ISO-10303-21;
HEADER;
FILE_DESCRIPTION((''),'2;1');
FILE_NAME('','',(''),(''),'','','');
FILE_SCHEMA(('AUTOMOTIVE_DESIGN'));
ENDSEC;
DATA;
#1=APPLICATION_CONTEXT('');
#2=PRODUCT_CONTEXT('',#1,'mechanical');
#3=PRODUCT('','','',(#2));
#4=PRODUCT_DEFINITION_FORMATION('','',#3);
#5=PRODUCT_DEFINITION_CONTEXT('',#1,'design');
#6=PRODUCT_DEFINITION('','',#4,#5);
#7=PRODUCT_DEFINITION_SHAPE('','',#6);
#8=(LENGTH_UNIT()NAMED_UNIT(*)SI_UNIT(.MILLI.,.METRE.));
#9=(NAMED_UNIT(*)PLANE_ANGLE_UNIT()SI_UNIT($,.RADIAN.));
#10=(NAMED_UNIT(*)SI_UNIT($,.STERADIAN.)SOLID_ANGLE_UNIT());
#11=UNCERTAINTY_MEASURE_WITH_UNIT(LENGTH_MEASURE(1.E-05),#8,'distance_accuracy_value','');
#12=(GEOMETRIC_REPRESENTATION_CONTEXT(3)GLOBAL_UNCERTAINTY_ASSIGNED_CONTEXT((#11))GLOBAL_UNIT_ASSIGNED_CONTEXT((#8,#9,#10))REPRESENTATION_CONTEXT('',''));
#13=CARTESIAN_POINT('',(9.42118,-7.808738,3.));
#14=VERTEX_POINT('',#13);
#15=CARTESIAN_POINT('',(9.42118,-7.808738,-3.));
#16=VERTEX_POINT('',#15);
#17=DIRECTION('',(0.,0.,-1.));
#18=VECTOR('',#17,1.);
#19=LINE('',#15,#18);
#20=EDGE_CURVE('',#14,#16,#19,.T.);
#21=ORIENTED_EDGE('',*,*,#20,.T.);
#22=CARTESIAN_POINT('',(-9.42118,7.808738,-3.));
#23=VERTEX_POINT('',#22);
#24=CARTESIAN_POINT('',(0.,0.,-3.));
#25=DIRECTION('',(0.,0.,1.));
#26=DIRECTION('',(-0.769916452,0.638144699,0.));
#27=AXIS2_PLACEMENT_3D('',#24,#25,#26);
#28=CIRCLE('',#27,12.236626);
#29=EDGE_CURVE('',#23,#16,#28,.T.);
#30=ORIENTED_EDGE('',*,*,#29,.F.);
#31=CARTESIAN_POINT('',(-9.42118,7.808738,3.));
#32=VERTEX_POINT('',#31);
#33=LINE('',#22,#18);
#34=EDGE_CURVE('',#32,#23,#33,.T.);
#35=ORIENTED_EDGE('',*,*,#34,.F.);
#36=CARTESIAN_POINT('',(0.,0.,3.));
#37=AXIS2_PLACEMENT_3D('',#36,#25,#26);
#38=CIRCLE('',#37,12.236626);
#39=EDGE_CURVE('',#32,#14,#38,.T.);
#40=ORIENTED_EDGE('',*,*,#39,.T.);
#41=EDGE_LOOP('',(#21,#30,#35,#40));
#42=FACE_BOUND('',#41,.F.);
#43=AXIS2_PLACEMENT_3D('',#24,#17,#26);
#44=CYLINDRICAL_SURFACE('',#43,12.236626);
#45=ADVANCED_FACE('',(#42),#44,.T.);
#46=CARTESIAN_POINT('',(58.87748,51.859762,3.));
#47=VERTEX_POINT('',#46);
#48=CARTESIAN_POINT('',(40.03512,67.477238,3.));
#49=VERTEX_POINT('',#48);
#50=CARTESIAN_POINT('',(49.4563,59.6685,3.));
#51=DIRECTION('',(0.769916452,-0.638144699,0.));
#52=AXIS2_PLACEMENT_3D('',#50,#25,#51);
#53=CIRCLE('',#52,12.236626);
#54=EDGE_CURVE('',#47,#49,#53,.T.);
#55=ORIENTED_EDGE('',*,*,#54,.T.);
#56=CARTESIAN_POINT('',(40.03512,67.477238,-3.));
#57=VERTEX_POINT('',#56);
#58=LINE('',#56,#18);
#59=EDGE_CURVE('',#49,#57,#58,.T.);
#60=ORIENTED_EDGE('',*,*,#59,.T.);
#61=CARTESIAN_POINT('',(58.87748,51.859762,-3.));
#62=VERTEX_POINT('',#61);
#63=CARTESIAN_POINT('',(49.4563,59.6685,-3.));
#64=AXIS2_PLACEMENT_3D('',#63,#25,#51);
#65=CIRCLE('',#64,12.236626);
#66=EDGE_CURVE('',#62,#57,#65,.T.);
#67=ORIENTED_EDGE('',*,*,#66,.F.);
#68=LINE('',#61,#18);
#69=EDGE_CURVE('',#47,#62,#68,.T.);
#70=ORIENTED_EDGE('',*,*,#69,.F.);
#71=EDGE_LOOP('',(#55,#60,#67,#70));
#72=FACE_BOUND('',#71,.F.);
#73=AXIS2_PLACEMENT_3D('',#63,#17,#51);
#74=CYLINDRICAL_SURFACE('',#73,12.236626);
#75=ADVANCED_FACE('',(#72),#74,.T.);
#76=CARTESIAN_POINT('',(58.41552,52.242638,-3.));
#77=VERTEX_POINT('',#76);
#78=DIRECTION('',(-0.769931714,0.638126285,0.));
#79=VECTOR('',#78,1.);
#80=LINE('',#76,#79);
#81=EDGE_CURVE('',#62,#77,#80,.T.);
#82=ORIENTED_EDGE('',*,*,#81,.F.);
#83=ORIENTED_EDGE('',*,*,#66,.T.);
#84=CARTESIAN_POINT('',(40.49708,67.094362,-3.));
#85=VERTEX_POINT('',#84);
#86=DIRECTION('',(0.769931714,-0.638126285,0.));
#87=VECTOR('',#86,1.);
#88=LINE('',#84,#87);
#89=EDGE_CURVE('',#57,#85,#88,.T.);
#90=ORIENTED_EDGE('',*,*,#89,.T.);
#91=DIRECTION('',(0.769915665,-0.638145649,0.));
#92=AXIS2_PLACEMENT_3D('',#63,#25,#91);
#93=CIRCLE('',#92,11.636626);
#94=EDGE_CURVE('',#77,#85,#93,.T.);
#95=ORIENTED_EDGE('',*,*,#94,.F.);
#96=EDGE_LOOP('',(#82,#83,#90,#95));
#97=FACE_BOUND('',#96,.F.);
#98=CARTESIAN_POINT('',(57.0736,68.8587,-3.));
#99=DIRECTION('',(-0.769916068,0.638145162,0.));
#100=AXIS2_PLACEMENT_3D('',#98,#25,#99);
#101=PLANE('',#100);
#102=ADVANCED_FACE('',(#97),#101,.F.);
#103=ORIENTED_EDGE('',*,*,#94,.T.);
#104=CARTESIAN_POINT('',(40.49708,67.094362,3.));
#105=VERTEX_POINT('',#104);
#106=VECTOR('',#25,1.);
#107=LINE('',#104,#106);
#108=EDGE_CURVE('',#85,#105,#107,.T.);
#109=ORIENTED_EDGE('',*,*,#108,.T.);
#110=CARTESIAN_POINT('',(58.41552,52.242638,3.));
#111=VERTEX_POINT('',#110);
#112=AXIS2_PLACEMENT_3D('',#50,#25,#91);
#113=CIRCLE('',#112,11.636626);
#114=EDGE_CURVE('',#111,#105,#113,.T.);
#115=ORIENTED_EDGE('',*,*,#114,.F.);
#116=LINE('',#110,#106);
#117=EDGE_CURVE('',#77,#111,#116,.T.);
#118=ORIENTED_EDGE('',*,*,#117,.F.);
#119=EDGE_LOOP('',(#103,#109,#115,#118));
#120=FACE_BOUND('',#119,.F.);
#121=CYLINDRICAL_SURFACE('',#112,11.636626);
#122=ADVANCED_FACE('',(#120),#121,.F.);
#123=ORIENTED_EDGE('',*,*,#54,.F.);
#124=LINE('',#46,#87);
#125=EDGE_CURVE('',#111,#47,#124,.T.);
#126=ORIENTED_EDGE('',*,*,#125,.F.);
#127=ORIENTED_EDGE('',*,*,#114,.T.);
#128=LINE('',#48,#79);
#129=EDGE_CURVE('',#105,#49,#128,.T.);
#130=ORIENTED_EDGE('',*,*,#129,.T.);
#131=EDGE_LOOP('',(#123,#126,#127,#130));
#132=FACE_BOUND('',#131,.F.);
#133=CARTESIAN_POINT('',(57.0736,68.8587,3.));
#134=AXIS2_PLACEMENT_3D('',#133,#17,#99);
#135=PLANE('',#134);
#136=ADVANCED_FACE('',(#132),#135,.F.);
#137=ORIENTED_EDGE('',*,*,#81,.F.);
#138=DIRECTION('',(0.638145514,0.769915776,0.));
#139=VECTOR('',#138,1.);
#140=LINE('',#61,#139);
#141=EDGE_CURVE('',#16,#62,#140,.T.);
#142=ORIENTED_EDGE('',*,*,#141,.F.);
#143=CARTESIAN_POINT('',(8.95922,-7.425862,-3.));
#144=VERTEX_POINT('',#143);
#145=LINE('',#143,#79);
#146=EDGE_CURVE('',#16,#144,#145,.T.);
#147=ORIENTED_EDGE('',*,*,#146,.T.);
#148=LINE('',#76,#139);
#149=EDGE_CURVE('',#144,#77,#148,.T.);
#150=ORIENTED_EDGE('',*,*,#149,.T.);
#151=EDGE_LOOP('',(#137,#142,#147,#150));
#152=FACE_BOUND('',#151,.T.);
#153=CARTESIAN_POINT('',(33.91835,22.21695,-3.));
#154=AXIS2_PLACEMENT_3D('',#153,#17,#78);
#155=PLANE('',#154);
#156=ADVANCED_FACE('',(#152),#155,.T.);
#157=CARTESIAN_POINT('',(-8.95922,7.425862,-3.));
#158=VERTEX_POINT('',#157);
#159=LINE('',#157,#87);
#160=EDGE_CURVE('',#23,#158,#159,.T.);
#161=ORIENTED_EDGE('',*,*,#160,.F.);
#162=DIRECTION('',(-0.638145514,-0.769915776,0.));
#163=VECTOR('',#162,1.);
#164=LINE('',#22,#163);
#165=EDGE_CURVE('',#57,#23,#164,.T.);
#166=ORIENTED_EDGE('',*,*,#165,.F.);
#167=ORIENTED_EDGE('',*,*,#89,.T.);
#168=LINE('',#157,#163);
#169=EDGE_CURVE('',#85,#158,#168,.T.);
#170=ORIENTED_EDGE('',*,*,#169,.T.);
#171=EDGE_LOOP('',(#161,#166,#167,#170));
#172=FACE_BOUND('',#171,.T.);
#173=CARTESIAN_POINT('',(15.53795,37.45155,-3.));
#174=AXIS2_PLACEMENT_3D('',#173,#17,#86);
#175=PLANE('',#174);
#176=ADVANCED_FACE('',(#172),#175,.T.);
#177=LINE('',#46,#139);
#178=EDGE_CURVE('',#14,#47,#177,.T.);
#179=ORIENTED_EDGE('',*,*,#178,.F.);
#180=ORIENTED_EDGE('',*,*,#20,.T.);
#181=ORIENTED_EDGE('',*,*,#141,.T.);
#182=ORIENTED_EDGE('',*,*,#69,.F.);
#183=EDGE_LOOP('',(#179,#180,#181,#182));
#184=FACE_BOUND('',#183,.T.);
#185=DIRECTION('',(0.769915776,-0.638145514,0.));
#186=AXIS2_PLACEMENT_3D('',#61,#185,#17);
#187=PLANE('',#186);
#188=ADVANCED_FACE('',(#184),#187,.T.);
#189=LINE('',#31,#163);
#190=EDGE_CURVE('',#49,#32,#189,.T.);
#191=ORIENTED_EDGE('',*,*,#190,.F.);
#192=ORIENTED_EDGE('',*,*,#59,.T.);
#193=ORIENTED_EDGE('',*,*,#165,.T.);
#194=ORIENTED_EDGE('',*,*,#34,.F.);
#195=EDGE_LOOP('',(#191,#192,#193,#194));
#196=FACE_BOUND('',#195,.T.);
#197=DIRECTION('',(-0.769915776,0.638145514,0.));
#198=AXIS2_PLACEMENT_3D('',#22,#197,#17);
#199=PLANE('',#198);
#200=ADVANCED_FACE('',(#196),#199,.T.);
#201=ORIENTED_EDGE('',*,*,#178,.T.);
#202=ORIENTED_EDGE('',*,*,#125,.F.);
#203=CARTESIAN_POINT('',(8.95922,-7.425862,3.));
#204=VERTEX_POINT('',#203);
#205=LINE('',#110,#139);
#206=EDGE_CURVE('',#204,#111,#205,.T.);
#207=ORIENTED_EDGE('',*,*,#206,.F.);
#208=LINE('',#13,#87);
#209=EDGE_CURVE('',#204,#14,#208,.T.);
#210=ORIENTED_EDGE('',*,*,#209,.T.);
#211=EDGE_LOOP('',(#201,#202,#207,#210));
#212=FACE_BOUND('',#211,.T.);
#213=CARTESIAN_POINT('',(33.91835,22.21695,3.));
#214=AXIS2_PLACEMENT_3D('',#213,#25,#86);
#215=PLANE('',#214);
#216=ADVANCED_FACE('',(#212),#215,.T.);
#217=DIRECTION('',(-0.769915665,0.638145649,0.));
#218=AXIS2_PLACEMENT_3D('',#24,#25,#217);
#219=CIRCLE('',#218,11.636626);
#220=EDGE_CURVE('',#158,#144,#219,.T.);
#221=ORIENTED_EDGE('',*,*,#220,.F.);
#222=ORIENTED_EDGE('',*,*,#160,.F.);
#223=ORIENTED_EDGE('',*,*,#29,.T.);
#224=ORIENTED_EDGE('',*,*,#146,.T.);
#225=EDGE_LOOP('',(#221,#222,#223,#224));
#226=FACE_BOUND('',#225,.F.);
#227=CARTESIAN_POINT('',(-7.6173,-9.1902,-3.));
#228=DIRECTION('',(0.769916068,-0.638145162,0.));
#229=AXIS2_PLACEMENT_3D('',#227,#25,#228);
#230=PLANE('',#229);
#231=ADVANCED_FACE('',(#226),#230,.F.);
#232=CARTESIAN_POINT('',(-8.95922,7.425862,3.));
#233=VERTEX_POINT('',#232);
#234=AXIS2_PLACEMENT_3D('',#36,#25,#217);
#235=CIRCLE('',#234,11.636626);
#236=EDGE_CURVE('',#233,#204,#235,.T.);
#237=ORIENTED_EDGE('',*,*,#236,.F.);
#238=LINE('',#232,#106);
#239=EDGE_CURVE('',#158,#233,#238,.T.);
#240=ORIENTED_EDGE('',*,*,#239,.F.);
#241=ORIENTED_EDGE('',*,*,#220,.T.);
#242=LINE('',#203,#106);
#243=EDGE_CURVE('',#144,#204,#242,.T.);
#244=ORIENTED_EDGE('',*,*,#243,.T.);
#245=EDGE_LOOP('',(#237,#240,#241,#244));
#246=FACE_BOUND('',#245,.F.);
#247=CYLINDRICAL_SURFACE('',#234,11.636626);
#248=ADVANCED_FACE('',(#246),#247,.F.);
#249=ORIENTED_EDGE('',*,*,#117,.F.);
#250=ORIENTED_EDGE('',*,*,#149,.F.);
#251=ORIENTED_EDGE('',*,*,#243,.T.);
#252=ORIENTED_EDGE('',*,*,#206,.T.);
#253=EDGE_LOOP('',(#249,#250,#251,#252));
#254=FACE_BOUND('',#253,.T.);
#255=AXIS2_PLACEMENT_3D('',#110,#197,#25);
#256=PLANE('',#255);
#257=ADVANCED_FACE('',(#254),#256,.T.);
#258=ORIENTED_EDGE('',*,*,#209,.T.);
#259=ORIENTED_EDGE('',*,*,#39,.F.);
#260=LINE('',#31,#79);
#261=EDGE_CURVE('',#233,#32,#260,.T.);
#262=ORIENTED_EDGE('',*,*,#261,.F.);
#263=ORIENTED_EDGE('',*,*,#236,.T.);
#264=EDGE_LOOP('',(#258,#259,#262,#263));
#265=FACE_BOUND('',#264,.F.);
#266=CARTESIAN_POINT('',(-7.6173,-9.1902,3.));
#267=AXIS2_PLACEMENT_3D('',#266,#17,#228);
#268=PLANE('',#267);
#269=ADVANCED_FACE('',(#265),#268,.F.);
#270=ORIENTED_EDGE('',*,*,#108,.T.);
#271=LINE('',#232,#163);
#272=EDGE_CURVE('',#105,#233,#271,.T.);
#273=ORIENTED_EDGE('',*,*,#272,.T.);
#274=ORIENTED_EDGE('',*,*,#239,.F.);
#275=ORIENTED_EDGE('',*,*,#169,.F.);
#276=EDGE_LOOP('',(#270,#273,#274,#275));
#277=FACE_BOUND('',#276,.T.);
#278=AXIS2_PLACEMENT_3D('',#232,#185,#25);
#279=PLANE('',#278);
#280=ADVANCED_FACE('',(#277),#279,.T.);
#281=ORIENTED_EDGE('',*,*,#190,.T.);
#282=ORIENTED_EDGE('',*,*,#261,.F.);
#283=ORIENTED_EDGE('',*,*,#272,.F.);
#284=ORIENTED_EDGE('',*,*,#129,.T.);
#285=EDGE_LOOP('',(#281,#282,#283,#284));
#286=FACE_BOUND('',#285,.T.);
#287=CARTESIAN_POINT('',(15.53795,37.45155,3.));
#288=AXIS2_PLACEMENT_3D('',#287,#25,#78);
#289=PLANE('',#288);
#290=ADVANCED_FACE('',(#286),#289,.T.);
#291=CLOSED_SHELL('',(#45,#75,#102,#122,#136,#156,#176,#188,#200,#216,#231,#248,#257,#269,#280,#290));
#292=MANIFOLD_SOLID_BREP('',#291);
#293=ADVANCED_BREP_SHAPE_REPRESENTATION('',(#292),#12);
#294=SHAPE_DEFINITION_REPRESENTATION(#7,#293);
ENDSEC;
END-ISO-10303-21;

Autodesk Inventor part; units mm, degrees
sketch "Sketch Path" plane through (0, 0, 0) normal (0, 0, 1) x (1, 0, 0)
  arc A0 (-9.1902, 7.6173) -> (9.1902, -7.6173) centre (0, 0) ccw
  arc A1 (58.6465, 52.0512) -> (40.2661, 67.2858) centre (49.4563, 59.6685) ccw
  line L0 (58.6465, 52.0512) -> (9.1902, -7.6173)
  line L1 (-9.1902, 7.6173) -> (40.2661, 67.2858)
ref_plane "Cross Section Plane" through (9.1902, -7.6173, 0) normal (0.6381, 0.7699, 0) x (0, 0, 1)
ref_plane "Work Plane2" through (0, 0, 0) normal (-1, 0, 0) x (0, 0, 1)
ref_plane "Work Plane3" through (49.4563, 59.6685, 0) normal (-0.6691, -0.7431, 0) x (0, 0, 1)
sketch "Cross Section" plane through (9.1902, -7.6173, 0) normal (0.6381, 0.7699, 0) x (0, 0, 1)
  line L0 (-3, 0.3) -> (3, 0.3)
  line L1 (3, 0.3) -> (3, -0.3)
  line L2 (3, -0.3) -> (-3, -0.3)
  line L3 (-3, -0.3) -> (-3, 0.3)
  line L4 (-3, 0) -> (3, 0) construction
  point P0 (0, 0)
  point P1 (0, 0)
  dimension "d0" = 6
  dimension "d4" = 0.3
  dimension "d5" = 0.3
sweep "Belt" add profiles "Cross Section" path "Sketch Path"
equation "\"d0\" = da_B"
equation "\"d4\" = da_a"
equation "\"d5\" = da_a2"
equation "\"da_B\" = 6"
equation "\"da_pb\" = 2.5"
equation "\"da_a\" = 0.3"
equation "\"da_S\" = 1.5"
equation "\"da_Beta\" = 20deg"
equation "\"da_Ht\" = 0.7"
equation "\"da_H\" = 1.3"
equation "\"da_a2\" = 0.3"
properties part number "Synchronous Belt" material "Rubber"
